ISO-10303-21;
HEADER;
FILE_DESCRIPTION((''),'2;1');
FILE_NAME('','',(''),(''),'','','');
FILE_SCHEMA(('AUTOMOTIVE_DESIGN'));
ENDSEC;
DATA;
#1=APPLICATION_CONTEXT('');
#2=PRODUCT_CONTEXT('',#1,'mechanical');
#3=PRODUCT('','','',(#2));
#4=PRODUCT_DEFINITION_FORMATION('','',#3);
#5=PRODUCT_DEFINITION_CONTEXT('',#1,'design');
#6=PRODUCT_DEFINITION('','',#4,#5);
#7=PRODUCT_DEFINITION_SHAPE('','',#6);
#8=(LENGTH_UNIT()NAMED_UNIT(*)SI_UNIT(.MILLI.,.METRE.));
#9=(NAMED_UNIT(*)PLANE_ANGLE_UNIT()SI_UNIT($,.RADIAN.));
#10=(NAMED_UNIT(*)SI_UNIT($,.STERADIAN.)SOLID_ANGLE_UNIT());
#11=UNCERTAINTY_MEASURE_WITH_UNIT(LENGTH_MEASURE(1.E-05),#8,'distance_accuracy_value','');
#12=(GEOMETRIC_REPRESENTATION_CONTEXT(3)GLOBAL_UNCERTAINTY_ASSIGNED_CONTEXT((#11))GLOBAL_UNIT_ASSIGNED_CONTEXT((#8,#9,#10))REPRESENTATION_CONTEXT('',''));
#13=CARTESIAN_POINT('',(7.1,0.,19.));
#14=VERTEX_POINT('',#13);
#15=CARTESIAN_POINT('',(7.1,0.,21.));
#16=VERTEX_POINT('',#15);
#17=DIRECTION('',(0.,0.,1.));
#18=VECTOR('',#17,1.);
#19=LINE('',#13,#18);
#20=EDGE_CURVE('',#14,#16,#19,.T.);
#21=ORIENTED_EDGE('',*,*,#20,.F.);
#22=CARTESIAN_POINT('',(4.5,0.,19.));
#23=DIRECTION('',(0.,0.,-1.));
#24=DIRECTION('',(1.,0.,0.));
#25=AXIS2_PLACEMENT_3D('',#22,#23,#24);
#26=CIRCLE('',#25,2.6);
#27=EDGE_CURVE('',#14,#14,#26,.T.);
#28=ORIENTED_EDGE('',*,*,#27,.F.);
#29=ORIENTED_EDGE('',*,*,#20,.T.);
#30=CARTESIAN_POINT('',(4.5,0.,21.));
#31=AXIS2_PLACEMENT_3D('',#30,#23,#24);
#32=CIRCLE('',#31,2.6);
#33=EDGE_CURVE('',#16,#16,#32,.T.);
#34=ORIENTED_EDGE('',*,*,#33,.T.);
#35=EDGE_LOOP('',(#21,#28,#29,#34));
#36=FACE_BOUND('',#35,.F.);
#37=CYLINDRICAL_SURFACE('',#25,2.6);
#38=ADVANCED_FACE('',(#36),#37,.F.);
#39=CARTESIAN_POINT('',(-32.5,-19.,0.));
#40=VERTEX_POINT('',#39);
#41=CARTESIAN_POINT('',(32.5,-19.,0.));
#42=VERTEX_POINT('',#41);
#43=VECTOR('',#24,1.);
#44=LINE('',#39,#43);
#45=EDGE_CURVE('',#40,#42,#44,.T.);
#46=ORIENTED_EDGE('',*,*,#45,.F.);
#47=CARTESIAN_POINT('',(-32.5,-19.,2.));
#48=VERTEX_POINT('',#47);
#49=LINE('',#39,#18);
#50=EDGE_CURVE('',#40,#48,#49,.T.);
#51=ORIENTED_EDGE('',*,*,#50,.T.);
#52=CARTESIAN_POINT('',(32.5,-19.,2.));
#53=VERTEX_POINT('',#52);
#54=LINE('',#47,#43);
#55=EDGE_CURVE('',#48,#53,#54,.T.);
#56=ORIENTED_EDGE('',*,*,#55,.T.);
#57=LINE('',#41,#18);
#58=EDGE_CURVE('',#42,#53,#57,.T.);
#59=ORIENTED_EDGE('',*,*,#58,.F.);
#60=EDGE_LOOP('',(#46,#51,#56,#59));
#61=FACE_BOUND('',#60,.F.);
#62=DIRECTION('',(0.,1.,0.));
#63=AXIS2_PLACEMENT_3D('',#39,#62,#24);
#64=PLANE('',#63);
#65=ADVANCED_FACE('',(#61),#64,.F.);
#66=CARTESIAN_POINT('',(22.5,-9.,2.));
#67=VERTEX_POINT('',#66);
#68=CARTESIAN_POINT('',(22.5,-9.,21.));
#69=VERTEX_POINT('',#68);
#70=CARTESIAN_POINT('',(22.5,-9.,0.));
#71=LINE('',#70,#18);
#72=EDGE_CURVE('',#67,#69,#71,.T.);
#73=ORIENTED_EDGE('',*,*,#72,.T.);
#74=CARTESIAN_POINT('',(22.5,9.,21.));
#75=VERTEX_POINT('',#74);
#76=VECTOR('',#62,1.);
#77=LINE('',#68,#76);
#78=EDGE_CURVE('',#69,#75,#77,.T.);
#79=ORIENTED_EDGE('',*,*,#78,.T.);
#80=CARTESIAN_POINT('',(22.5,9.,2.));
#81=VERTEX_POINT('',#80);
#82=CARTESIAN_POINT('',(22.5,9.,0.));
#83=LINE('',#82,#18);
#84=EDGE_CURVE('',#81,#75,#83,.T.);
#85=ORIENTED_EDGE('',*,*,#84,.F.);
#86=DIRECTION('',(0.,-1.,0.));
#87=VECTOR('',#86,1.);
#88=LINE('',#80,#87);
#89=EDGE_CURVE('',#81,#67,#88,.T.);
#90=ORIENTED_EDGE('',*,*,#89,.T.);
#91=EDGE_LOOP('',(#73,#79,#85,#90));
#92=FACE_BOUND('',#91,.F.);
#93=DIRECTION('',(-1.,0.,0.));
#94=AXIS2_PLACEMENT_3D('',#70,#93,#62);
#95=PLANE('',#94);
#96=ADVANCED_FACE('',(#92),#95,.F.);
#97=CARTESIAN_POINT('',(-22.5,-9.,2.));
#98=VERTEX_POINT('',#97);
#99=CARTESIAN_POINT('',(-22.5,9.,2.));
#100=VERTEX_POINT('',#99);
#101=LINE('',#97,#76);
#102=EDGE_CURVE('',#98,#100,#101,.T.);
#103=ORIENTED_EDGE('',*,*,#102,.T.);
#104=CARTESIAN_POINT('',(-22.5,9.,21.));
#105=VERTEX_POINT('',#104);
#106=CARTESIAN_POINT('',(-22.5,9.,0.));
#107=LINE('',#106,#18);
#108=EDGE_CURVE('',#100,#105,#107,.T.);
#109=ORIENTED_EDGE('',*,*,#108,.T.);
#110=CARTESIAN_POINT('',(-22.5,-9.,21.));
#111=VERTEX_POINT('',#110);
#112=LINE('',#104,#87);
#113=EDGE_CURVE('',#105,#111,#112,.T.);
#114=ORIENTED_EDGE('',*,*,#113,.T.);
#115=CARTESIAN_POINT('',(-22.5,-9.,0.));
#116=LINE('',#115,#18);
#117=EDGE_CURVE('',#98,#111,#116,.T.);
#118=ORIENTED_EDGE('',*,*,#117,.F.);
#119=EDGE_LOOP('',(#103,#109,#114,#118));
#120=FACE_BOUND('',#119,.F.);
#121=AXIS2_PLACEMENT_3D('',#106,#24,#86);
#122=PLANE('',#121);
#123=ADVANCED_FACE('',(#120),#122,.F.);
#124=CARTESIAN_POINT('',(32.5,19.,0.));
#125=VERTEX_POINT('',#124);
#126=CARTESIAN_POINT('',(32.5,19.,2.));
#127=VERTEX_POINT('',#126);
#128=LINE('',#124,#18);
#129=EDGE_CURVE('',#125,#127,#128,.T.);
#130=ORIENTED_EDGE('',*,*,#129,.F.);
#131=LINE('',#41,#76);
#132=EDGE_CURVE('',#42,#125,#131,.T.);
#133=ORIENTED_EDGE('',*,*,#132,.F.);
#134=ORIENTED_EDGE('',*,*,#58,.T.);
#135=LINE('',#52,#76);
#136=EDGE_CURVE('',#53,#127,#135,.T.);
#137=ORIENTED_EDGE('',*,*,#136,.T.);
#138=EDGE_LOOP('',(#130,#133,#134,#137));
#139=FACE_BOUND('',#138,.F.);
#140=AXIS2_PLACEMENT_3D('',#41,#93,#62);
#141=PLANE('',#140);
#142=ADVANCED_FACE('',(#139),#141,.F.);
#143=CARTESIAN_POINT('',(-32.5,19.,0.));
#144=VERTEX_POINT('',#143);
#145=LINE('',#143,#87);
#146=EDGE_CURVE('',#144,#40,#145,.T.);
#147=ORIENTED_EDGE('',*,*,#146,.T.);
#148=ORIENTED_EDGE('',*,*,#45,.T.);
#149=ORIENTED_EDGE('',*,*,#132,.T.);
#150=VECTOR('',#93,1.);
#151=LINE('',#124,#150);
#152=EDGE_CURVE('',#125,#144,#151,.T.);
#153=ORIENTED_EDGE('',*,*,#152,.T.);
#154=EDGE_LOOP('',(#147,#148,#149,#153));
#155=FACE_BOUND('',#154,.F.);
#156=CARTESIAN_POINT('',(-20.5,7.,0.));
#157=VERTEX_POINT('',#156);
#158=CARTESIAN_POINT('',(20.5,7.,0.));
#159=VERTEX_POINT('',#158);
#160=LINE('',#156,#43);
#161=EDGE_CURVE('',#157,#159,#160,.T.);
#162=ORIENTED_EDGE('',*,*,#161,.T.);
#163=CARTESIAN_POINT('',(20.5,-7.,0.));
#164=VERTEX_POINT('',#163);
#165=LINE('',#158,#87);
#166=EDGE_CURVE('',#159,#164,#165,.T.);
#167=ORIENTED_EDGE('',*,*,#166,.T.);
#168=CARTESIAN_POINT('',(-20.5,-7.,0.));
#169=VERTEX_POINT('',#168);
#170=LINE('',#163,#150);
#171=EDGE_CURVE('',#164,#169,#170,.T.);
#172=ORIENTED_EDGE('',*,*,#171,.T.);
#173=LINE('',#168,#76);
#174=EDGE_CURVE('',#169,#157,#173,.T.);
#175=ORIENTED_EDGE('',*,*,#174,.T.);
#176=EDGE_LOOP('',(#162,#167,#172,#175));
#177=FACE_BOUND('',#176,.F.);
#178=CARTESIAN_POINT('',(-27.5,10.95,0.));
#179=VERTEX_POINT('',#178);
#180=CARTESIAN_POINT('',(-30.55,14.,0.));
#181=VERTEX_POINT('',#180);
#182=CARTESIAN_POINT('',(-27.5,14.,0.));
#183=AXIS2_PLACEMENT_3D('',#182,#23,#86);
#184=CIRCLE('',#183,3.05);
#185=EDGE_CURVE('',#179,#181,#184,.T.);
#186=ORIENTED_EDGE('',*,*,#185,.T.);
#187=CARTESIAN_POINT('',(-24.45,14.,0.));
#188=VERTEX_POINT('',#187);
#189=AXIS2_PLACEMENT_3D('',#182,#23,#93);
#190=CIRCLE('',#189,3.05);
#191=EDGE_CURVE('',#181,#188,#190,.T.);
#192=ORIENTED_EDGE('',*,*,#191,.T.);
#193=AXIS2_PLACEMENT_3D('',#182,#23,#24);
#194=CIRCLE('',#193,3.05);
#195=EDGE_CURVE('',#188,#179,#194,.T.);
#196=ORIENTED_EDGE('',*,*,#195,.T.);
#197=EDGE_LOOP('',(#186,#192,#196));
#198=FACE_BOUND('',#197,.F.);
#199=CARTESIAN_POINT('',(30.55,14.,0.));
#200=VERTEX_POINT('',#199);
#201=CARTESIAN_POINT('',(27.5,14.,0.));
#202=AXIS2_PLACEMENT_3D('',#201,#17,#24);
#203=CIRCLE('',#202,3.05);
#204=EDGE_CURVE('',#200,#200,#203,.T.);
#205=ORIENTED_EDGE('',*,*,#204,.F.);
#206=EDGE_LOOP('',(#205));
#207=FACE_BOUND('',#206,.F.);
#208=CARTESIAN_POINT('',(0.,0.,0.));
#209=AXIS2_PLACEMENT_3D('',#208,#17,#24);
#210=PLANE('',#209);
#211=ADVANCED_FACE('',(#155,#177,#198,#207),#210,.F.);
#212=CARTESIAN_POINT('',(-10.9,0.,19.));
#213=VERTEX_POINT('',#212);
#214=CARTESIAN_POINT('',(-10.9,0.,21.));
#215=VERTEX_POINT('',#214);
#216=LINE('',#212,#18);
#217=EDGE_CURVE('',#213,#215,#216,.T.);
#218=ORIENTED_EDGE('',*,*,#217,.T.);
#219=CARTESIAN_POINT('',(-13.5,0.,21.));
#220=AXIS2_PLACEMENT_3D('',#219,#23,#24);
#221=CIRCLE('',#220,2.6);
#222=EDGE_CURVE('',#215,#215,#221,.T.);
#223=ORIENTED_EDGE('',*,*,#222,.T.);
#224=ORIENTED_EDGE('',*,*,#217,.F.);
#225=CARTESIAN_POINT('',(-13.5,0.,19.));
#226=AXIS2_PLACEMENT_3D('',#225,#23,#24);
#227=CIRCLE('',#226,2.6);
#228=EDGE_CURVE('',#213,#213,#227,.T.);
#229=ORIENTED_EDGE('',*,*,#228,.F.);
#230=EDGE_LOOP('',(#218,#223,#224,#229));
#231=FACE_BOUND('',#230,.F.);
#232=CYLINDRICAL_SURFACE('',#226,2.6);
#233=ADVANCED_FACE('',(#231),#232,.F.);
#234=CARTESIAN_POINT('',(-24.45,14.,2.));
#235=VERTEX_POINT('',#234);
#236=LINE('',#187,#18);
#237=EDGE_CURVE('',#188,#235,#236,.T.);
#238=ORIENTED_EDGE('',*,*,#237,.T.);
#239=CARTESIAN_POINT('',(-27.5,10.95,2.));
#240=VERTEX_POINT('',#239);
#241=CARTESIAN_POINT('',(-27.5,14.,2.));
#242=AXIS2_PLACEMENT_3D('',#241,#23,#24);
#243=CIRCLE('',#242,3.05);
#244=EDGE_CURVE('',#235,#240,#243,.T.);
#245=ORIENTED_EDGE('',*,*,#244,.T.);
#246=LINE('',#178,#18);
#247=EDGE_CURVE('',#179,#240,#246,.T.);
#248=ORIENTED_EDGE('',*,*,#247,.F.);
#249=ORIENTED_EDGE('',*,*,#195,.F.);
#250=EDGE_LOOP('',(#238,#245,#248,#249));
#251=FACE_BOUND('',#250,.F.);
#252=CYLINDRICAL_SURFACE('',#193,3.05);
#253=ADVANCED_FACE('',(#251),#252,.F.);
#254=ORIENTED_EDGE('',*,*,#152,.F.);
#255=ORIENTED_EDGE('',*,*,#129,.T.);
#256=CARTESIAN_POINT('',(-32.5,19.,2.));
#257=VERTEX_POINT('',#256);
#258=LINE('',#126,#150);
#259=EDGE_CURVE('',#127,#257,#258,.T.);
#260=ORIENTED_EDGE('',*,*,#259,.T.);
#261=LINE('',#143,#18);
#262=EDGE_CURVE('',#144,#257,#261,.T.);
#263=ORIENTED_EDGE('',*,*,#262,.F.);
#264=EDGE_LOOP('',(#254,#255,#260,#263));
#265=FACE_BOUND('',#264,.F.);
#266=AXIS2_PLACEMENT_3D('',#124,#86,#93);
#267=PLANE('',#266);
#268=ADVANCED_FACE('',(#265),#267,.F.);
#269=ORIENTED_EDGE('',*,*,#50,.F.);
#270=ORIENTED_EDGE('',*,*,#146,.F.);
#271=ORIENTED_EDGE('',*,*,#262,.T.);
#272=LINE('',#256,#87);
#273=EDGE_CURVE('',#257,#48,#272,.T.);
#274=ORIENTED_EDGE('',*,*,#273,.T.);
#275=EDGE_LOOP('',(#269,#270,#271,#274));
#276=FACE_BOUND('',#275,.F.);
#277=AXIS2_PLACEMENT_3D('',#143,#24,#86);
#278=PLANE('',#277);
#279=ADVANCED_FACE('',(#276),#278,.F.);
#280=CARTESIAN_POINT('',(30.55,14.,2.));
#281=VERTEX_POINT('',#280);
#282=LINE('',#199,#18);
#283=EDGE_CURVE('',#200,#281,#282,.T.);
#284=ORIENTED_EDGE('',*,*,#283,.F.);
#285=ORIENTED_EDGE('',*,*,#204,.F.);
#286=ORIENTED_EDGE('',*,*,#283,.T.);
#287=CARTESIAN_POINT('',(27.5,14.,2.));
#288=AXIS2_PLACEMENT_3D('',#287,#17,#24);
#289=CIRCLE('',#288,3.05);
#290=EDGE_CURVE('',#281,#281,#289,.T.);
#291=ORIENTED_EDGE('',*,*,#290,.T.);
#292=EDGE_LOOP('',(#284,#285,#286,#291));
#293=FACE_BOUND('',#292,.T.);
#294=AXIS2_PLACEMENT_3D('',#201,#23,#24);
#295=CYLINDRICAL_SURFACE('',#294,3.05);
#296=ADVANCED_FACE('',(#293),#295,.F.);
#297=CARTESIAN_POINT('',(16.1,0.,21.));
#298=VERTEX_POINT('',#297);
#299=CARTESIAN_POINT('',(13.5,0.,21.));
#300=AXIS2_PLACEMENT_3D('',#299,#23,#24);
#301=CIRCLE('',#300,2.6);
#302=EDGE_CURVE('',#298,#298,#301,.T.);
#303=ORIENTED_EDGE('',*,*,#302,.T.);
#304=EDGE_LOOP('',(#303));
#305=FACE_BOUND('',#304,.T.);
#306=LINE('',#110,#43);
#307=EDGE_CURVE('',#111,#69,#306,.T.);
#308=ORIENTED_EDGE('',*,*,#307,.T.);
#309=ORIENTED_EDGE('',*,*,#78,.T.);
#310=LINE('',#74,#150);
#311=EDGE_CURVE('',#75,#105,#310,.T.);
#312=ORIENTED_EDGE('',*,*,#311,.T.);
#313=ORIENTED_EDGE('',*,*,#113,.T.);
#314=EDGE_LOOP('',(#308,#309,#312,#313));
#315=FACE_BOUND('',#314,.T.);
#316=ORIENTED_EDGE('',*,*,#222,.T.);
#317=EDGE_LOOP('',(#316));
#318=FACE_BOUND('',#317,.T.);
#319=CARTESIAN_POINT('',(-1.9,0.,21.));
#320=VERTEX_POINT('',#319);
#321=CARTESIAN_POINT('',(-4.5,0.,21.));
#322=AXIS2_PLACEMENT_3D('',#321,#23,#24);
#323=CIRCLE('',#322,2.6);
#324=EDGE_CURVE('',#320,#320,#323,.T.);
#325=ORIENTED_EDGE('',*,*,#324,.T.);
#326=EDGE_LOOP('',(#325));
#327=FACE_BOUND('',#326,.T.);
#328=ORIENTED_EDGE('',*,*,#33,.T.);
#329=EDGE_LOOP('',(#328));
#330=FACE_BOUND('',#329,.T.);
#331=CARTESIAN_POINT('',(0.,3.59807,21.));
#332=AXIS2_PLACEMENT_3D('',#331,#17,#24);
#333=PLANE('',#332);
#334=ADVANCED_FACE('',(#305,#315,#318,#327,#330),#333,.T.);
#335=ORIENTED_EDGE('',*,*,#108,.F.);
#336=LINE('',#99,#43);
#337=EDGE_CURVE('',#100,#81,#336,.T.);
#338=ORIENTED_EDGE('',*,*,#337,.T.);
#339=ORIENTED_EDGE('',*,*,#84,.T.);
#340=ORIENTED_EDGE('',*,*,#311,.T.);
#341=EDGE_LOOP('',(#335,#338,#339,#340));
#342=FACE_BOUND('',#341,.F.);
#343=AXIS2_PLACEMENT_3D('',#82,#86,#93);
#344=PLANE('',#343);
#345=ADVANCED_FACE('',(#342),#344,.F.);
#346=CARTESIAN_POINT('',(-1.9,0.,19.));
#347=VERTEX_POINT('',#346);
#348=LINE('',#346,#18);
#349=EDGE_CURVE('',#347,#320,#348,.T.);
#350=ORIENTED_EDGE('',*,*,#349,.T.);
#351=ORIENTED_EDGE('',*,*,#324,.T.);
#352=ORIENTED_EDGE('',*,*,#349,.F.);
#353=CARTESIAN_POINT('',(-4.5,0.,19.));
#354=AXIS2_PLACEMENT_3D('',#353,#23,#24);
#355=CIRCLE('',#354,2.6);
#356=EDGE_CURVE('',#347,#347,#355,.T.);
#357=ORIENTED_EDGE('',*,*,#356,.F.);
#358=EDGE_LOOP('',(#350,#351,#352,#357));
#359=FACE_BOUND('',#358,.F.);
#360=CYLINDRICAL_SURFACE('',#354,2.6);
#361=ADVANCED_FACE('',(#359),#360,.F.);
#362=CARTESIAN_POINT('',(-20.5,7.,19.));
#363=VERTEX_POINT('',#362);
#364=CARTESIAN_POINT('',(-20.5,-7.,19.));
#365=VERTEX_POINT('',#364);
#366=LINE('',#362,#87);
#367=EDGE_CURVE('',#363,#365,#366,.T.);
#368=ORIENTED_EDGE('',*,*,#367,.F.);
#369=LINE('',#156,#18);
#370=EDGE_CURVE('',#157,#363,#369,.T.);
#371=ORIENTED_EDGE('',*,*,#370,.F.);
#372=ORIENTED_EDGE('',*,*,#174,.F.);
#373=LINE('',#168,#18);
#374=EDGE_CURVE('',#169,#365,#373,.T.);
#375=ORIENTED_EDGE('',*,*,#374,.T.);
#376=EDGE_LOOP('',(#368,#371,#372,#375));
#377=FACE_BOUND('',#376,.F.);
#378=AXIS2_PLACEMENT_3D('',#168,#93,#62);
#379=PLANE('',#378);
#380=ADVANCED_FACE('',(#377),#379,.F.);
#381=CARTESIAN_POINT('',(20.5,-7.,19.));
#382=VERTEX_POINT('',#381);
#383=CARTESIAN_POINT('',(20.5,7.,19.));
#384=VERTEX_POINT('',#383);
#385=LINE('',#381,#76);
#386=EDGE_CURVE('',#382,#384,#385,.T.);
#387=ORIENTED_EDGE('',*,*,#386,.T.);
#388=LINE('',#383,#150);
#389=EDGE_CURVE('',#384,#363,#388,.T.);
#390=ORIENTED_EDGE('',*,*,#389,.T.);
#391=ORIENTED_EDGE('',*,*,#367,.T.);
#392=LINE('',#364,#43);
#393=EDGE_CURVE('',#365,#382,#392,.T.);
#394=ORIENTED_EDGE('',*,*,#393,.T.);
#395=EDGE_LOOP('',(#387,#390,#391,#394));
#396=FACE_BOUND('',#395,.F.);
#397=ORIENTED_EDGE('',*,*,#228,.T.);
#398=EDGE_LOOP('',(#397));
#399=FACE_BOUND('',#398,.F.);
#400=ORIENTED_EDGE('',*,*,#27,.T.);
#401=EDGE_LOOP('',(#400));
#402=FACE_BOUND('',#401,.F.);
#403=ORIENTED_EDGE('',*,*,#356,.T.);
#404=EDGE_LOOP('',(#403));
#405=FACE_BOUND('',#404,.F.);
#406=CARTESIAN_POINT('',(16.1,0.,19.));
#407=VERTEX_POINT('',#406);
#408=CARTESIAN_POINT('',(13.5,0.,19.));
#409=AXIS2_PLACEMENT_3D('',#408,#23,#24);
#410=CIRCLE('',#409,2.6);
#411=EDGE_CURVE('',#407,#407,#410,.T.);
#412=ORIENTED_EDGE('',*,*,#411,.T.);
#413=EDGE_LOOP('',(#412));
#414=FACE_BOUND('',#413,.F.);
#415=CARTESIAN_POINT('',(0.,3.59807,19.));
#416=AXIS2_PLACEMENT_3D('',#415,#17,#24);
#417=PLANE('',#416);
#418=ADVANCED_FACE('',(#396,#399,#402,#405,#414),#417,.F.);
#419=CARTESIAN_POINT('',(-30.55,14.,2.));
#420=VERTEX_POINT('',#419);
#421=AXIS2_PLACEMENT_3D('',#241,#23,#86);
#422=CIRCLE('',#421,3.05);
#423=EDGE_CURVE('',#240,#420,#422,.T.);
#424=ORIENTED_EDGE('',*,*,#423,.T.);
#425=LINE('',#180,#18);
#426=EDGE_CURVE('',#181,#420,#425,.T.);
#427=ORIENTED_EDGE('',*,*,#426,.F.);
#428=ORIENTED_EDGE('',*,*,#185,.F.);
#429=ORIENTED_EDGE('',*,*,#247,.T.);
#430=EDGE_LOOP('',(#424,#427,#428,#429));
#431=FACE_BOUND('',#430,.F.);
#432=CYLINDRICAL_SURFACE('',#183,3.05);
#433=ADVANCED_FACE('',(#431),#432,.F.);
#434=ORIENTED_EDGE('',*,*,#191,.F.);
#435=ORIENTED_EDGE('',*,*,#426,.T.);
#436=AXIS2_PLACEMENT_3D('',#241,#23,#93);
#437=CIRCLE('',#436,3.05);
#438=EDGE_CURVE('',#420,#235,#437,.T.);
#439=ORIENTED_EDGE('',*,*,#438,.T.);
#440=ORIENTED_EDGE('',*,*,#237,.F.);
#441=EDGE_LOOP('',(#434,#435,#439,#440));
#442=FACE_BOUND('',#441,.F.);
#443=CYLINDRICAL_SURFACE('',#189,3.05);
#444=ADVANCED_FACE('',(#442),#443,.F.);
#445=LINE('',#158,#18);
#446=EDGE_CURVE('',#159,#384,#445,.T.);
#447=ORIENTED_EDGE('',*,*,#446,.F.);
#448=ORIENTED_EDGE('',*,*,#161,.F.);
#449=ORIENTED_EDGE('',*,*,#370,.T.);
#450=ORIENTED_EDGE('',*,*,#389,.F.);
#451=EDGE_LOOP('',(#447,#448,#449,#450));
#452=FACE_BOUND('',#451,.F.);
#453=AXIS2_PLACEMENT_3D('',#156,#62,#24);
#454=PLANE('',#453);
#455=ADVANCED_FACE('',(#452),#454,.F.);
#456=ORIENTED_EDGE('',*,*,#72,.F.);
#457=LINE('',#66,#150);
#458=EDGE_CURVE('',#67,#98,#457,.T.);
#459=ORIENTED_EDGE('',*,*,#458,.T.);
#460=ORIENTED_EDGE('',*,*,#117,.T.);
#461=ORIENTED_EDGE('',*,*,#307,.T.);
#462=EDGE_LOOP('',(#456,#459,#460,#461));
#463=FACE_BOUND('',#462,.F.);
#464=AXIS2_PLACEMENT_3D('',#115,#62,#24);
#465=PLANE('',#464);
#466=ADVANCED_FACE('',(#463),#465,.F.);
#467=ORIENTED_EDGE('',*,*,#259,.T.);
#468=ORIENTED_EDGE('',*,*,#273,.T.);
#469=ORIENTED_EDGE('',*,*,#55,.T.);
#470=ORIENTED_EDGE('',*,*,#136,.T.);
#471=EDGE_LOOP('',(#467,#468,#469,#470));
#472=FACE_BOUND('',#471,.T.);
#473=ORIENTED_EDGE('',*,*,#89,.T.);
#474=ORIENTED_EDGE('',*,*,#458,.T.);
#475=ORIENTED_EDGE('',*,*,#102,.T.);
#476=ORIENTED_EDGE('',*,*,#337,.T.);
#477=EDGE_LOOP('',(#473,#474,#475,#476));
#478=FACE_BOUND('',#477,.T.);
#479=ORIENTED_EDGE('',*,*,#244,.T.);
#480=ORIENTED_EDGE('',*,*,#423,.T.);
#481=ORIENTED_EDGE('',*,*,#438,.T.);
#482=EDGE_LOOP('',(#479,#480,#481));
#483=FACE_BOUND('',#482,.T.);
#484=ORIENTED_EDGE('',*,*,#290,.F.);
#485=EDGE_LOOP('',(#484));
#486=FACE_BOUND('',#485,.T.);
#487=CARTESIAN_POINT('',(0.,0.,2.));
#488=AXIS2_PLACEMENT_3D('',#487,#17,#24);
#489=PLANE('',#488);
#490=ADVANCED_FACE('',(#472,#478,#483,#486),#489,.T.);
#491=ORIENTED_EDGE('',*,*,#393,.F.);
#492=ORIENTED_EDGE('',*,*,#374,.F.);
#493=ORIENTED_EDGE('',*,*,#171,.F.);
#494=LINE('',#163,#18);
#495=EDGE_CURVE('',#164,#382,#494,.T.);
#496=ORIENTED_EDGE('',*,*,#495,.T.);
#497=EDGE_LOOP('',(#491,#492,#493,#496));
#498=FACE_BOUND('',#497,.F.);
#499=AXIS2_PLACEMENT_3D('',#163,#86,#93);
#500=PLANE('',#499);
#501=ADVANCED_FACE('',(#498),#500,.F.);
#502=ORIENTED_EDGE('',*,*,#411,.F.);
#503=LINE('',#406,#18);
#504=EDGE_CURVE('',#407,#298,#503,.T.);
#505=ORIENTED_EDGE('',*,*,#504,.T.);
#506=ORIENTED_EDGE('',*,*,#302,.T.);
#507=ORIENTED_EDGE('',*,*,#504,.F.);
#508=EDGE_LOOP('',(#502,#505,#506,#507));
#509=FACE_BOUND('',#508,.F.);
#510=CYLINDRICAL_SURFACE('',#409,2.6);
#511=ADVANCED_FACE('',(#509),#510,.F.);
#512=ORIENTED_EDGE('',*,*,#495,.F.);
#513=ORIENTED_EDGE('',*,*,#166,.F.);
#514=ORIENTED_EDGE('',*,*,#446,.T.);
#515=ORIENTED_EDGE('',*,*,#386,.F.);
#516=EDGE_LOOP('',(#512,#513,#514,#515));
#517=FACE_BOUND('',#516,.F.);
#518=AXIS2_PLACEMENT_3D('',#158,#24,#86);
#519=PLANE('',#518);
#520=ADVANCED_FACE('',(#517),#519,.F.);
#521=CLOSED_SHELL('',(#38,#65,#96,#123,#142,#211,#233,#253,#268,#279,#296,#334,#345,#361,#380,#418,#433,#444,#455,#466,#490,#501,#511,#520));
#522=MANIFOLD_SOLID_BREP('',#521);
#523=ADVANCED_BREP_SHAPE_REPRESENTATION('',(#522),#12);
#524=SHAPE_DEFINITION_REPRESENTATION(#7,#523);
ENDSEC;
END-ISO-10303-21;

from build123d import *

# Parameters (mm, degrees)
F1_DEPTH = 21
F2_START = 19
F2_DEPTH = 2
F0_R     = 3.05
F3_DEPTH = 2


with BuildPart() as f1:
    # F0 (on Top) → F1 (new body)
    with BuildSketch(Plane.XY):
        Polygon((22.5, -9), (22.5, 0), (20.5, 0), (20.5, -7), (-20.5, -7), (-20.5, 0), (-22.5, 0), (-22.5, -9), align=None)
        Polygon((22.5, 0), (22.5, 9), (-22.5, 9), (-22.5, 0), (-20.5, 0), (-20.5, 7), (20.5, 7), (20.5, 0), align=None)
    extrude(amount=F1_DEPTH)

    # F0 (on Top) → F2 (join)
    with BuildSketch(Plane.XY.offset(F2_START)):
        with BuildLine():
            Line((16.1, 0), (20.5, 0))
            Line((20.5, 0), (20.5, 7))
            Line((20.5, 7), (-20.5, 7))
            Line((-20.5, 7), (-20.5, 0))
            Line((-20.5, 0), (-16.1, 0))
            ThreePointArc((-16.1, 0), (-13.5, 2.6), (-10.9, 0))
            Line((-10.9, 0), (-7.1, 0))
            ThreePointArc((-7.1, 0), (-4.5, 2.6), (-1.9, 0))
            Line((-1.9, 0), (1.9, 0))
            ThreePointArc((1.9, 0), (4.5, 2.6), (7.1, 0))
            Line((7.1, 0), (10.9, 0))
            ThreePointArc((10.9, 0), (13.5, 2.6), (16.1, 0))
        make_face()
        with BuildLine():
            Line((20.5, -7), (20.5, 0))
            Line((20.5, 0), (16.1, 0))
            ThreePointArc((16.1, 0), (13.5, -2.6), (10.9, 0))
            Line((10.9, 0), (7.1, 0))
            ThreePointArc((7.1, 0), (4.5, -2.6), (1.9, 0))
            Line((1.9, 0), (-1.9, 0))
            ThreePointArc((-1.9, 0), (-4.5, -2.6), (-7.1, 0))
            Line((-7.1, 0), (-10.9, 0))
            ThreePointArc((-10.9, 0), (-13.5, -2.6), (-16.1, 0))
            Line((-16.1, 0), (-20.5, 0))
            Line((-20.5, 0), (-20.5, -7))
            Line((-20.5, -7), (20.5, -7))
        make_face()
    extrude(amount=F2_DEPTH)

    # F0 (on Top) → F3 (join)
    with BuildSketch(Plane.XY):
        Polygon((-32.5, 19), (-32.5, 14), (-32.5, -19), (32.5, -19), (32.5, 19), align=None)
        with BuildLine():
            ThreePointArc((-24.45, 14), (-25.3433243174, 11.8433243174), (-27.5, 10.95))
            ThreePointArc((-27.5, 10.95), (-29.6566756826, 11.8433243174), (-30.55, 14))
            ThreePointArc((-30.55, 14), (-27.5, 17.05), (-24.45, 14))
        make_face(mode=Mode.SUBTRACT)
        Polygon((-22.5, 9), (22.5, 9), (22.5, 0), (22.5, -9), (-22.5, -9), (-22.5, 0), align=None, mode=Mode.SUBTRACT)
        with Locations((27.5, 14)):
            Circle(F0_R, mode=Mode.SUBTRACT)
    extrude(amount=F3_DEPTH)


solid = f1.part
